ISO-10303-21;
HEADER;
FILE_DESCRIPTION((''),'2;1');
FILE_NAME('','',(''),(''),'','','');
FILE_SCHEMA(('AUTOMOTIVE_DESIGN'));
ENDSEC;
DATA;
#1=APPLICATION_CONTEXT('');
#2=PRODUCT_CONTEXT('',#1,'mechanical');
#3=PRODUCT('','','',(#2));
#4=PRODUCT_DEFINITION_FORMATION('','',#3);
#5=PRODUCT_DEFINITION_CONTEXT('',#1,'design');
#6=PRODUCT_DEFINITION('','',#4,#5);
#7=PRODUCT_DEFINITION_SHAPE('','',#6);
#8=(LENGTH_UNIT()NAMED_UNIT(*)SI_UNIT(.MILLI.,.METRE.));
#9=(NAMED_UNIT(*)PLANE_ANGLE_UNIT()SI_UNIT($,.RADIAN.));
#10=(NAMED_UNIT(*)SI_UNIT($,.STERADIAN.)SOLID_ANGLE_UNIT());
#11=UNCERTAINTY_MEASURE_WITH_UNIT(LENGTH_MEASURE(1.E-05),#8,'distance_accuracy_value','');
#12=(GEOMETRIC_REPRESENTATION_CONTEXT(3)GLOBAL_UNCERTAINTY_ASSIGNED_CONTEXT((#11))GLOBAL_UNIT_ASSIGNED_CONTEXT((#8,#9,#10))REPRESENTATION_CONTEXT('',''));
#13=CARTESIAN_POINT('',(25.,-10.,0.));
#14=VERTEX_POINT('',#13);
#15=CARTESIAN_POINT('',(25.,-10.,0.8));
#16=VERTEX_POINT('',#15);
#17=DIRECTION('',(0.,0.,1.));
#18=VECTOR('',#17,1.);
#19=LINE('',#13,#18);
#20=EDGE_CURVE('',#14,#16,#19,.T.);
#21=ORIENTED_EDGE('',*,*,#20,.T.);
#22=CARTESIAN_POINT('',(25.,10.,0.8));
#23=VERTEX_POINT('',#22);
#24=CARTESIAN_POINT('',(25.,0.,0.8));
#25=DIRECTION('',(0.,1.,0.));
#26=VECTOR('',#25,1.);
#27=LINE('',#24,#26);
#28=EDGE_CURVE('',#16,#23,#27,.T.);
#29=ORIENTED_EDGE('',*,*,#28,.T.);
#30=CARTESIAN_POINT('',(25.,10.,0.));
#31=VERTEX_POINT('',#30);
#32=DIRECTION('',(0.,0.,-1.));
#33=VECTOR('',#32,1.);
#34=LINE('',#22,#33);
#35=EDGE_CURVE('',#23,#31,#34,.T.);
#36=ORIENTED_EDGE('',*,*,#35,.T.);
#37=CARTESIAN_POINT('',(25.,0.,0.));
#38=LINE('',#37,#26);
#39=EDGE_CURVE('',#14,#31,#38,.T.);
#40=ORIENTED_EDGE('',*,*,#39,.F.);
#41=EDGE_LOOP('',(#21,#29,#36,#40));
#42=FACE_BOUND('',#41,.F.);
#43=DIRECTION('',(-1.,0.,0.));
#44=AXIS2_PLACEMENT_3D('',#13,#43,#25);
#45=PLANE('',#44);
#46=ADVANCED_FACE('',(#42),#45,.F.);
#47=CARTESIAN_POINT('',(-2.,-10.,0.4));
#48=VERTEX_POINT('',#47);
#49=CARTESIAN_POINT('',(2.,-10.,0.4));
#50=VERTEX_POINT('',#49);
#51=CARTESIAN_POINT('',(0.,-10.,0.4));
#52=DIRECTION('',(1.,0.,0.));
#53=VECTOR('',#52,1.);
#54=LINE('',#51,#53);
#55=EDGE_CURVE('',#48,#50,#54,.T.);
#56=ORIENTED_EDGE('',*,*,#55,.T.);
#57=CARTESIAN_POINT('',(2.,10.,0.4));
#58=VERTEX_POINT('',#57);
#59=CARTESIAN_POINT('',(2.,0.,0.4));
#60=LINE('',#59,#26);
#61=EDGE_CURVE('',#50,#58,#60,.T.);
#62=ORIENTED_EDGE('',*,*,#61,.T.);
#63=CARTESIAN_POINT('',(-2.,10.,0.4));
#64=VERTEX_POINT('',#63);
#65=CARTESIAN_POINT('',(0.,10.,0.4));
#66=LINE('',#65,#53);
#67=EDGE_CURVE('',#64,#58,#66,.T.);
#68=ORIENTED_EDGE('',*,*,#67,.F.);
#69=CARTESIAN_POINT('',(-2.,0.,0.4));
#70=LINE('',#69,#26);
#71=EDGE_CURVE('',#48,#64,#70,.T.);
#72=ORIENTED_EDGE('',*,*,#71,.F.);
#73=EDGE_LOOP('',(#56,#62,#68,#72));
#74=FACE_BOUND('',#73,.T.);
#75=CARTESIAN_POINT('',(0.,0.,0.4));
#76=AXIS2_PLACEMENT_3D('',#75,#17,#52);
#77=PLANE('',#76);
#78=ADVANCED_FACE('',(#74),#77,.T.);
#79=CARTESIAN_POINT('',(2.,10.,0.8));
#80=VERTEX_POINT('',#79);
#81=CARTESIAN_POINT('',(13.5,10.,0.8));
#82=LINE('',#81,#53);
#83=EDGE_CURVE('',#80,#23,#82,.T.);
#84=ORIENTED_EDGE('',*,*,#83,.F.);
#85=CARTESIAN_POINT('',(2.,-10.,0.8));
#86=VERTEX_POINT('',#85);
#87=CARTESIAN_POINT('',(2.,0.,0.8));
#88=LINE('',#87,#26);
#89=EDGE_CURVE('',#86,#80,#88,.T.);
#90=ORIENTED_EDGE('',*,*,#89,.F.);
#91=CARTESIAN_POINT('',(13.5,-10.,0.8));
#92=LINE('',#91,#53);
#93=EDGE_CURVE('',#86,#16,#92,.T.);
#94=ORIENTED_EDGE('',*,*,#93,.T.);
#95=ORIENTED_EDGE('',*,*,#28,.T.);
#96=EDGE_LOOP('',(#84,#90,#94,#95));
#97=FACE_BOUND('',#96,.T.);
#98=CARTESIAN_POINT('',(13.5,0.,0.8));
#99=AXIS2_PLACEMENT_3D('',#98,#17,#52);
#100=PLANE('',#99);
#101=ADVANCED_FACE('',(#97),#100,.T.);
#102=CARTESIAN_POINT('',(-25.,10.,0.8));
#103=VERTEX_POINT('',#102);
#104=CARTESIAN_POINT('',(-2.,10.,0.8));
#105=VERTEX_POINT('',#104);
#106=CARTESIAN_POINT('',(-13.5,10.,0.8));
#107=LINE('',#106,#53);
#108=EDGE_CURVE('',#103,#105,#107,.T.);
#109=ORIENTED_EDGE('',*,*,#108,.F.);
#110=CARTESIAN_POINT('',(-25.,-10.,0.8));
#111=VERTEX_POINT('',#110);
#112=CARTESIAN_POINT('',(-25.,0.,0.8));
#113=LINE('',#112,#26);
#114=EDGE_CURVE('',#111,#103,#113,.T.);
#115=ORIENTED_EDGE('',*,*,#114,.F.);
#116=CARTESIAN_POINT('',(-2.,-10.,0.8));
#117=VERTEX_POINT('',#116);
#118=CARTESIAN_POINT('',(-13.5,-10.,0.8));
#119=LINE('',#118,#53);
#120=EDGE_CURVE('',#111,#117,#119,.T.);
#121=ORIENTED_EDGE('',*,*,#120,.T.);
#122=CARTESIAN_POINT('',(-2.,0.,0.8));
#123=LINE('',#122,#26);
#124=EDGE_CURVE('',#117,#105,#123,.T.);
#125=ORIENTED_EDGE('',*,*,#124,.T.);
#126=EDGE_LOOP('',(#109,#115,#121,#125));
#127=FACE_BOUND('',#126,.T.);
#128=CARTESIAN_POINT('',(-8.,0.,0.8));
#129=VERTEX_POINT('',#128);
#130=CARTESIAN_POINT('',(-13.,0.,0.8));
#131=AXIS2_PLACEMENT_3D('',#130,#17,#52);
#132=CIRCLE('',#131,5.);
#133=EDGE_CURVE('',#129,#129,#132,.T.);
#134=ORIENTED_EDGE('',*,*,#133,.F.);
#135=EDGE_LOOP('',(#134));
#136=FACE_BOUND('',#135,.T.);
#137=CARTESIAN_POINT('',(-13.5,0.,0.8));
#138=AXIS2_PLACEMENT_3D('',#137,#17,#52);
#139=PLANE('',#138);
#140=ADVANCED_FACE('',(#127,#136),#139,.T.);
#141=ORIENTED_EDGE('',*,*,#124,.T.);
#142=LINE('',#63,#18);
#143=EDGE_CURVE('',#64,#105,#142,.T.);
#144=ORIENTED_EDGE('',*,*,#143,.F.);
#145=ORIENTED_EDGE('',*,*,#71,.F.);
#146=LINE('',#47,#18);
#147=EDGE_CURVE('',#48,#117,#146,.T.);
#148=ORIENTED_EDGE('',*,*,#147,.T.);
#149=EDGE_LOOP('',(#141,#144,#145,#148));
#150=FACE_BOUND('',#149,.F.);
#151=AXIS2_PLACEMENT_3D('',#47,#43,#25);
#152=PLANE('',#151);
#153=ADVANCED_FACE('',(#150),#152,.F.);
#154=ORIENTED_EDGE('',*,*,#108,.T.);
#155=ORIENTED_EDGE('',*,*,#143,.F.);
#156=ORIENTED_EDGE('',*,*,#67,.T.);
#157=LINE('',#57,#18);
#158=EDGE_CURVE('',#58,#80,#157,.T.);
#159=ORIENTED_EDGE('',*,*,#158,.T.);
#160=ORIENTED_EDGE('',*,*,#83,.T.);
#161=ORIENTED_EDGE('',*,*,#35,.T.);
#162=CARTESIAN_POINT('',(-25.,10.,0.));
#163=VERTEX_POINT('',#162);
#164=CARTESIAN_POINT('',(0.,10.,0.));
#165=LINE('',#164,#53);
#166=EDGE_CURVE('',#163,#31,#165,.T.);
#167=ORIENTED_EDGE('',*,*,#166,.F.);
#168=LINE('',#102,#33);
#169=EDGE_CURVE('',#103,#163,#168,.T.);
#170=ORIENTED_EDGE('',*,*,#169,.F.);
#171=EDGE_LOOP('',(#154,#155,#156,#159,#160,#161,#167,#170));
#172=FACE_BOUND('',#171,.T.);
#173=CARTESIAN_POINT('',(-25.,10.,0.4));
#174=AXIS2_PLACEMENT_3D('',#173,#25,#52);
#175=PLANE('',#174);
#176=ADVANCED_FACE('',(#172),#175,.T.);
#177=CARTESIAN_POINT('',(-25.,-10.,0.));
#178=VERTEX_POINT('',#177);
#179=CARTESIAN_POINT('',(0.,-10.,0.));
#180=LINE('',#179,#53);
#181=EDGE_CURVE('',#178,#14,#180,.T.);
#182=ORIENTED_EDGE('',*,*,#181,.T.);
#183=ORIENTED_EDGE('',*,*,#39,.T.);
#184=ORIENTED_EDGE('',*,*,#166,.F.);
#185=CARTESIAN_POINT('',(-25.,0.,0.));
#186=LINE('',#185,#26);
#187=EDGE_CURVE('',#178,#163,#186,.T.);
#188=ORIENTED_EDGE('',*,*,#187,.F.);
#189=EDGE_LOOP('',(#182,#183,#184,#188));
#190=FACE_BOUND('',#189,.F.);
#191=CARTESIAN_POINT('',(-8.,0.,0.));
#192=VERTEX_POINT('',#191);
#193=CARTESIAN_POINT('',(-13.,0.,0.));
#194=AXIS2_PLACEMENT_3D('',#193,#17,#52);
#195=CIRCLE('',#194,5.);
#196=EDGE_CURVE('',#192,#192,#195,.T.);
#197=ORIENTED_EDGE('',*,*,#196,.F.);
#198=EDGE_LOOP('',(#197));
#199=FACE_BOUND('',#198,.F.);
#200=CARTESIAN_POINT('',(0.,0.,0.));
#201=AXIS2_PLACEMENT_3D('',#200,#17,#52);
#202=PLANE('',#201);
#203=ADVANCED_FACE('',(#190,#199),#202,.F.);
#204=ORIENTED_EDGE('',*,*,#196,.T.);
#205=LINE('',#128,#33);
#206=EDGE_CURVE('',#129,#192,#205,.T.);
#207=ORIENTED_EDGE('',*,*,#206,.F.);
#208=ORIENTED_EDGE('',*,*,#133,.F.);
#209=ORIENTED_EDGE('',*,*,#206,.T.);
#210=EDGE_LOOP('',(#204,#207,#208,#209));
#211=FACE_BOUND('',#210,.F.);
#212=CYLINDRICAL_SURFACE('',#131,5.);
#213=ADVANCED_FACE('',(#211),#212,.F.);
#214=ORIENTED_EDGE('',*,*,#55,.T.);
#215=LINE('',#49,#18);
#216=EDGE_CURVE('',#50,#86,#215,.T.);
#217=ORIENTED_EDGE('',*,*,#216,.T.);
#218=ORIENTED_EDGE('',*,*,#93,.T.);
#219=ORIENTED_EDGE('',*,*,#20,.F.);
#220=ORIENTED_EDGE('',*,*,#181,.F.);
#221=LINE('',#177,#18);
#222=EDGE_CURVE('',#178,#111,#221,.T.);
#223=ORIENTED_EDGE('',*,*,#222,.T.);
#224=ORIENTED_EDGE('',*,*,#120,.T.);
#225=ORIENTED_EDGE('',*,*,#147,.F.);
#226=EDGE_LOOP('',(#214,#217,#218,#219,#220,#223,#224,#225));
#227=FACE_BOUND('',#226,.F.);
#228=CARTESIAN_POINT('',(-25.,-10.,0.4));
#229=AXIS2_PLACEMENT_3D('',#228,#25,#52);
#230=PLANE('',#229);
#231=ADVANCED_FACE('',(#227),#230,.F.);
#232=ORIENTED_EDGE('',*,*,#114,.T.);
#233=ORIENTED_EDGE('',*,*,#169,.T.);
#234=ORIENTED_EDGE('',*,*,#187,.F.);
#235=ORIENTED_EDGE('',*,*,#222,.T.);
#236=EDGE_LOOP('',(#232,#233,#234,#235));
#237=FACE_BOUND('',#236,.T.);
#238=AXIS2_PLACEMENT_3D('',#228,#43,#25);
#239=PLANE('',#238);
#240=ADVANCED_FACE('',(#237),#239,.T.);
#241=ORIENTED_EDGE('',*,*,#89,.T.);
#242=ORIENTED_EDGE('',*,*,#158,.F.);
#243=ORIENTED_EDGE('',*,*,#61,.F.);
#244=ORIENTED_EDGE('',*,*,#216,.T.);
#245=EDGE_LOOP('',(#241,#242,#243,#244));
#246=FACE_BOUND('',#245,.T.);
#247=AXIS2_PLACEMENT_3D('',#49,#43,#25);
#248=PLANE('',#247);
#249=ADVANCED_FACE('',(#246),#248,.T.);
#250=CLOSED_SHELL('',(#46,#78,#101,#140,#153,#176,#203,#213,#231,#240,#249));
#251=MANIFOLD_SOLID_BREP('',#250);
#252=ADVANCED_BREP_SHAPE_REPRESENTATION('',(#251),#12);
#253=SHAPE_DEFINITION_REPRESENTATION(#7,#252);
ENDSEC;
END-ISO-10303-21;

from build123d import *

# Parameters (mm, degrees)
F0_W     = 50
F0_H     = 20
F1_DEPTH = 0.4
F2_W     = 23
F2_H     = 20
F3_DEPTH = 0.4
F4_R     = 5
F5_DEPTH = 25


with BuildPart() as f1:
    # F0 (on Top) → F1 (new body)
    with BuildSketch(Plane.XY):
        Rectangle(F0_W, F0_H)
    extrude(amount=F1_DEPTH)

    # F2 (on face) → F3 (join)
    with BuildSketch(Plane.XY.offset(0.4)):
        with Locations((-13.5, 0)):
            Rectangle(F2_W, F2_H)
        with Locations((13.5, 0)):
            Rectangle(F2_W, F2_H)
    extrude(amount=F3_DEPTH)

    # F4 (on face) → F5 (cut)
    with BuildSketch(Plane.XY.offset(0.8)):
        with Locations((-13, 0)):
            Circle(F4_R)
    extrude(amount=-F5_DEPTH, mode=Mode.SUBTRACT)


solid = f1.part
